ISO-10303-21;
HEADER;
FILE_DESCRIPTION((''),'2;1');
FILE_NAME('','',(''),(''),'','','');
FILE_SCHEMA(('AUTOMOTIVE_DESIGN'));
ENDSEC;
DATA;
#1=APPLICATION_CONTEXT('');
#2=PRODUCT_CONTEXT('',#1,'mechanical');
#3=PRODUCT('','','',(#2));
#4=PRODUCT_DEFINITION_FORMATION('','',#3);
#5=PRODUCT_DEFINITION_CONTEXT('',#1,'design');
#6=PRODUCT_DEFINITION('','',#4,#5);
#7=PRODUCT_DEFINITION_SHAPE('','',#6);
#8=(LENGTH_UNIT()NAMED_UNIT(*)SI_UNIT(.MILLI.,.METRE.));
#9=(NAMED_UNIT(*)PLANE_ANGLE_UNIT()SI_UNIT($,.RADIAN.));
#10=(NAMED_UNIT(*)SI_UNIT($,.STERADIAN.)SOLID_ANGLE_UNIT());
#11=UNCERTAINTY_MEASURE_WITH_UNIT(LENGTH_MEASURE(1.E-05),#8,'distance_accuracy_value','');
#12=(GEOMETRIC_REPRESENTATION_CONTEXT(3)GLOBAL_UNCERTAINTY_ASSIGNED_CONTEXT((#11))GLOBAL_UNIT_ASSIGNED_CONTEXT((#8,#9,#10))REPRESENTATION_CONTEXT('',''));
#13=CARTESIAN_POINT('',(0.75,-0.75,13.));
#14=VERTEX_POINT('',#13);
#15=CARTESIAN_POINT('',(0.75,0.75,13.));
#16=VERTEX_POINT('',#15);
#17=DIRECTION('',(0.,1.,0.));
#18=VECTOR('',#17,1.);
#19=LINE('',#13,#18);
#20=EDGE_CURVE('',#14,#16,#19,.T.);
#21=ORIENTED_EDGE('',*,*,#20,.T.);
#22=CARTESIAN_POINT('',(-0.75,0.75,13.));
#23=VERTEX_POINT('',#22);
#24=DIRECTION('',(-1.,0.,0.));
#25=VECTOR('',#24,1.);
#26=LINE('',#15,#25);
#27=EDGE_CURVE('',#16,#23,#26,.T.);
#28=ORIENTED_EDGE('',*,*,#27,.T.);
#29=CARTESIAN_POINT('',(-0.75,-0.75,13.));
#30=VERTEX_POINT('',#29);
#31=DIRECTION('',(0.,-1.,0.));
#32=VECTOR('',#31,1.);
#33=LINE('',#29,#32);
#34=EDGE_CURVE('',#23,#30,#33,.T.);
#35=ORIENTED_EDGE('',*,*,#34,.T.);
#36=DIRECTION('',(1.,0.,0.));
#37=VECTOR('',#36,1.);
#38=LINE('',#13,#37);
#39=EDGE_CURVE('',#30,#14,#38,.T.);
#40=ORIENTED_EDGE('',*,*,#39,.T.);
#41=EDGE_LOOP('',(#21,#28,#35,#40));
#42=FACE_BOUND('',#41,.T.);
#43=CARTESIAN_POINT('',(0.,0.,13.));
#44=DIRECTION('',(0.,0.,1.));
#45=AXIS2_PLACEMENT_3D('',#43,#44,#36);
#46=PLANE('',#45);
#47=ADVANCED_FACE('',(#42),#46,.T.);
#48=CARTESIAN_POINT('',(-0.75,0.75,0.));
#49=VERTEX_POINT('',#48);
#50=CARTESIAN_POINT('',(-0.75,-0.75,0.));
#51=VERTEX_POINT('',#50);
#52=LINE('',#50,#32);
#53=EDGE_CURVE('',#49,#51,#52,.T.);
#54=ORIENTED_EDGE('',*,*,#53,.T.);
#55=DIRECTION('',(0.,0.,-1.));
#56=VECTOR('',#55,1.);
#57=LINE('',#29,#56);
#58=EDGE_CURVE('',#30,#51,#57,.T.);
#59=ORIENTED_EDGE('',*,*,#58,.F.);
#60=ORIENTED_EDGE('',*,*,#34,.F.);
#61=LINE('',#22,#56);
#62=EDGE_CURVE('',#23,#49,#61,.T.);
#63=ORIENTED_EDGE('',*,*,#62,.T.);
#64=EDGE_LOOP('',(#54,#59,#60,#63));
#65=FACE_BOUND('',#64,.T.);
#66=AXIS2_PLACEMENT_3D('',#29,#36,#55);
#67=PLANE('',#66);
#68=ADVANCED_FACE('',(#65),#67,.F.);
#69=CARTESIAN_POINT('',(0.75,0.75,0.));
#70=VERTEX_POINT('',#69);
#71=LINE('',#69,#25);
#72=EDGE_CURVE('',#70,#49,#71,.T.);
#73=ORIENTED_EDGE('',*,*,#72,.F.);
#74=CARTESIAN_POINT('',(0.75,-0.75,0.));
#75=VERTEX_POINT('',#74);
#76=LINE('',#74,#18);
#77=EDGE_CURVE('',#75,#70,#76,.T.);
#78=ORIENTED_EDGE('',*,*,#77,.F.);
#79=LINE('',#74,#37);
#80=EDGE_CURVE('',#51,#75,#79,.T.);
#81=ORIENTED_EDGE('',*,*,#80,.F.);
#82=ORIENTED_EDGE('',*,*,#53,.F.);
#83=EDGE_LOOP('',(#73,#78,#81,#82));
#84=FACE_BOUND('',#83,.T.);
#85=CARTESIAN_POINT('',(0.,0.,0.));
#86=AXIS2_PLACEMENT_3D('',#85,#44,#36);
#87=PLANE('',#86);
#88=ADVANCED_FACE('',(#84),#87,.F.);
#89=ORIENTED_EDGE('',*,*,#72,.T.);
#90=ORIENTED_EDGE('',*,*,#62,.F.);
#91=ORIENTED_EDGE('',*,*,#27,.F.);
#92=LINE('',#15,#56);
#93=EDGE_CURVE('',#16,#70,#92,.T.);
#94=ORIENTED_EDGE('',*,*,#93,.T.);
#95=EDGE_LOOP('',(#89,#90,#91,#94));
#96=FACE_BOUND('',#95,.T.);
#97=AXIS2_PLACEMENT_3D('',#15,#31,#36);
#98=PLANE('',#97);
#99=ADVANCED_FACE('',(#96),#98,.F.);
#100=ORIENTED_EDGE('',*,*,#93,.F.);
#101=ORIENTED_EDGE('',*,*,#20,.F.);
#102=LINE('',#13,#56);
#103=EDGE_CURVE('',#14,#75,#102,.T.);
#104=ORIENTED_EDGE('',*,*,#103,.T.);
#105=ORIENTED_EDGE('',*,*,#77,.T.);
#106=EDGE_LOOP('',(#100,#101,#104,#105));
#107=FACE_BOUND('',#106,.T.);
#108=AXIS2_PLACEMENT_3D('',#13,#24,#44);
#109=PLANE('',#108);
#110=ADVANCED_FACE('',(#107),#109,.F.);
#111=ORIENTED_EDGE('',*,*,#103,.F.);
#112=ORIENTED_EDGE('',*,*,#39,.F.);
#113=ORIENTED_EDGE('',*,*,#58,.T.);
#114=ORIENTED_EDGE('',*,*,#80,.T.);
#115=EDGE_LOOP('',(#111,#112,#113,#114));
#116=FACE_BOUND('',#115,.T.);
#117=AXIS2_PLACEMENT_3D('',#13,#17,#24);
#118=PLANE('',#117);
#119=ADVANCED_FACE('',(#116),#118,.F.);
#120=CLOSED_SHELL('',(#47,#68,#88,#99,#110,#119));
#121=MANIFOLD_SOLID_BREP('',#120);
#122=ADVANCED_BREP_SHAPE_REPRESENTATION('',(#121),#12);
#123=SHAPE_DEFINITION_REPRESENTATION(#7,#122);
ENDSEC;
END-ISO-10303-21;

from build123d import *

# Parameters (mm, degrees)
SKETCH1_W           = 1.5
SKETCH1_H           = 1.5
BOSS_EXTRUDE1_DEPTH = 13


with BuildPart() as part:
    # Sketch1 → Boss-Extrude1 (new body)
    with BuildSketch(Plane.XY):
        Rectangle(SKETCH1_W, SKETCH1_H)
    extrude(amount=BOSS_EXTRUDE1_DEPTH)


solid = part.part
